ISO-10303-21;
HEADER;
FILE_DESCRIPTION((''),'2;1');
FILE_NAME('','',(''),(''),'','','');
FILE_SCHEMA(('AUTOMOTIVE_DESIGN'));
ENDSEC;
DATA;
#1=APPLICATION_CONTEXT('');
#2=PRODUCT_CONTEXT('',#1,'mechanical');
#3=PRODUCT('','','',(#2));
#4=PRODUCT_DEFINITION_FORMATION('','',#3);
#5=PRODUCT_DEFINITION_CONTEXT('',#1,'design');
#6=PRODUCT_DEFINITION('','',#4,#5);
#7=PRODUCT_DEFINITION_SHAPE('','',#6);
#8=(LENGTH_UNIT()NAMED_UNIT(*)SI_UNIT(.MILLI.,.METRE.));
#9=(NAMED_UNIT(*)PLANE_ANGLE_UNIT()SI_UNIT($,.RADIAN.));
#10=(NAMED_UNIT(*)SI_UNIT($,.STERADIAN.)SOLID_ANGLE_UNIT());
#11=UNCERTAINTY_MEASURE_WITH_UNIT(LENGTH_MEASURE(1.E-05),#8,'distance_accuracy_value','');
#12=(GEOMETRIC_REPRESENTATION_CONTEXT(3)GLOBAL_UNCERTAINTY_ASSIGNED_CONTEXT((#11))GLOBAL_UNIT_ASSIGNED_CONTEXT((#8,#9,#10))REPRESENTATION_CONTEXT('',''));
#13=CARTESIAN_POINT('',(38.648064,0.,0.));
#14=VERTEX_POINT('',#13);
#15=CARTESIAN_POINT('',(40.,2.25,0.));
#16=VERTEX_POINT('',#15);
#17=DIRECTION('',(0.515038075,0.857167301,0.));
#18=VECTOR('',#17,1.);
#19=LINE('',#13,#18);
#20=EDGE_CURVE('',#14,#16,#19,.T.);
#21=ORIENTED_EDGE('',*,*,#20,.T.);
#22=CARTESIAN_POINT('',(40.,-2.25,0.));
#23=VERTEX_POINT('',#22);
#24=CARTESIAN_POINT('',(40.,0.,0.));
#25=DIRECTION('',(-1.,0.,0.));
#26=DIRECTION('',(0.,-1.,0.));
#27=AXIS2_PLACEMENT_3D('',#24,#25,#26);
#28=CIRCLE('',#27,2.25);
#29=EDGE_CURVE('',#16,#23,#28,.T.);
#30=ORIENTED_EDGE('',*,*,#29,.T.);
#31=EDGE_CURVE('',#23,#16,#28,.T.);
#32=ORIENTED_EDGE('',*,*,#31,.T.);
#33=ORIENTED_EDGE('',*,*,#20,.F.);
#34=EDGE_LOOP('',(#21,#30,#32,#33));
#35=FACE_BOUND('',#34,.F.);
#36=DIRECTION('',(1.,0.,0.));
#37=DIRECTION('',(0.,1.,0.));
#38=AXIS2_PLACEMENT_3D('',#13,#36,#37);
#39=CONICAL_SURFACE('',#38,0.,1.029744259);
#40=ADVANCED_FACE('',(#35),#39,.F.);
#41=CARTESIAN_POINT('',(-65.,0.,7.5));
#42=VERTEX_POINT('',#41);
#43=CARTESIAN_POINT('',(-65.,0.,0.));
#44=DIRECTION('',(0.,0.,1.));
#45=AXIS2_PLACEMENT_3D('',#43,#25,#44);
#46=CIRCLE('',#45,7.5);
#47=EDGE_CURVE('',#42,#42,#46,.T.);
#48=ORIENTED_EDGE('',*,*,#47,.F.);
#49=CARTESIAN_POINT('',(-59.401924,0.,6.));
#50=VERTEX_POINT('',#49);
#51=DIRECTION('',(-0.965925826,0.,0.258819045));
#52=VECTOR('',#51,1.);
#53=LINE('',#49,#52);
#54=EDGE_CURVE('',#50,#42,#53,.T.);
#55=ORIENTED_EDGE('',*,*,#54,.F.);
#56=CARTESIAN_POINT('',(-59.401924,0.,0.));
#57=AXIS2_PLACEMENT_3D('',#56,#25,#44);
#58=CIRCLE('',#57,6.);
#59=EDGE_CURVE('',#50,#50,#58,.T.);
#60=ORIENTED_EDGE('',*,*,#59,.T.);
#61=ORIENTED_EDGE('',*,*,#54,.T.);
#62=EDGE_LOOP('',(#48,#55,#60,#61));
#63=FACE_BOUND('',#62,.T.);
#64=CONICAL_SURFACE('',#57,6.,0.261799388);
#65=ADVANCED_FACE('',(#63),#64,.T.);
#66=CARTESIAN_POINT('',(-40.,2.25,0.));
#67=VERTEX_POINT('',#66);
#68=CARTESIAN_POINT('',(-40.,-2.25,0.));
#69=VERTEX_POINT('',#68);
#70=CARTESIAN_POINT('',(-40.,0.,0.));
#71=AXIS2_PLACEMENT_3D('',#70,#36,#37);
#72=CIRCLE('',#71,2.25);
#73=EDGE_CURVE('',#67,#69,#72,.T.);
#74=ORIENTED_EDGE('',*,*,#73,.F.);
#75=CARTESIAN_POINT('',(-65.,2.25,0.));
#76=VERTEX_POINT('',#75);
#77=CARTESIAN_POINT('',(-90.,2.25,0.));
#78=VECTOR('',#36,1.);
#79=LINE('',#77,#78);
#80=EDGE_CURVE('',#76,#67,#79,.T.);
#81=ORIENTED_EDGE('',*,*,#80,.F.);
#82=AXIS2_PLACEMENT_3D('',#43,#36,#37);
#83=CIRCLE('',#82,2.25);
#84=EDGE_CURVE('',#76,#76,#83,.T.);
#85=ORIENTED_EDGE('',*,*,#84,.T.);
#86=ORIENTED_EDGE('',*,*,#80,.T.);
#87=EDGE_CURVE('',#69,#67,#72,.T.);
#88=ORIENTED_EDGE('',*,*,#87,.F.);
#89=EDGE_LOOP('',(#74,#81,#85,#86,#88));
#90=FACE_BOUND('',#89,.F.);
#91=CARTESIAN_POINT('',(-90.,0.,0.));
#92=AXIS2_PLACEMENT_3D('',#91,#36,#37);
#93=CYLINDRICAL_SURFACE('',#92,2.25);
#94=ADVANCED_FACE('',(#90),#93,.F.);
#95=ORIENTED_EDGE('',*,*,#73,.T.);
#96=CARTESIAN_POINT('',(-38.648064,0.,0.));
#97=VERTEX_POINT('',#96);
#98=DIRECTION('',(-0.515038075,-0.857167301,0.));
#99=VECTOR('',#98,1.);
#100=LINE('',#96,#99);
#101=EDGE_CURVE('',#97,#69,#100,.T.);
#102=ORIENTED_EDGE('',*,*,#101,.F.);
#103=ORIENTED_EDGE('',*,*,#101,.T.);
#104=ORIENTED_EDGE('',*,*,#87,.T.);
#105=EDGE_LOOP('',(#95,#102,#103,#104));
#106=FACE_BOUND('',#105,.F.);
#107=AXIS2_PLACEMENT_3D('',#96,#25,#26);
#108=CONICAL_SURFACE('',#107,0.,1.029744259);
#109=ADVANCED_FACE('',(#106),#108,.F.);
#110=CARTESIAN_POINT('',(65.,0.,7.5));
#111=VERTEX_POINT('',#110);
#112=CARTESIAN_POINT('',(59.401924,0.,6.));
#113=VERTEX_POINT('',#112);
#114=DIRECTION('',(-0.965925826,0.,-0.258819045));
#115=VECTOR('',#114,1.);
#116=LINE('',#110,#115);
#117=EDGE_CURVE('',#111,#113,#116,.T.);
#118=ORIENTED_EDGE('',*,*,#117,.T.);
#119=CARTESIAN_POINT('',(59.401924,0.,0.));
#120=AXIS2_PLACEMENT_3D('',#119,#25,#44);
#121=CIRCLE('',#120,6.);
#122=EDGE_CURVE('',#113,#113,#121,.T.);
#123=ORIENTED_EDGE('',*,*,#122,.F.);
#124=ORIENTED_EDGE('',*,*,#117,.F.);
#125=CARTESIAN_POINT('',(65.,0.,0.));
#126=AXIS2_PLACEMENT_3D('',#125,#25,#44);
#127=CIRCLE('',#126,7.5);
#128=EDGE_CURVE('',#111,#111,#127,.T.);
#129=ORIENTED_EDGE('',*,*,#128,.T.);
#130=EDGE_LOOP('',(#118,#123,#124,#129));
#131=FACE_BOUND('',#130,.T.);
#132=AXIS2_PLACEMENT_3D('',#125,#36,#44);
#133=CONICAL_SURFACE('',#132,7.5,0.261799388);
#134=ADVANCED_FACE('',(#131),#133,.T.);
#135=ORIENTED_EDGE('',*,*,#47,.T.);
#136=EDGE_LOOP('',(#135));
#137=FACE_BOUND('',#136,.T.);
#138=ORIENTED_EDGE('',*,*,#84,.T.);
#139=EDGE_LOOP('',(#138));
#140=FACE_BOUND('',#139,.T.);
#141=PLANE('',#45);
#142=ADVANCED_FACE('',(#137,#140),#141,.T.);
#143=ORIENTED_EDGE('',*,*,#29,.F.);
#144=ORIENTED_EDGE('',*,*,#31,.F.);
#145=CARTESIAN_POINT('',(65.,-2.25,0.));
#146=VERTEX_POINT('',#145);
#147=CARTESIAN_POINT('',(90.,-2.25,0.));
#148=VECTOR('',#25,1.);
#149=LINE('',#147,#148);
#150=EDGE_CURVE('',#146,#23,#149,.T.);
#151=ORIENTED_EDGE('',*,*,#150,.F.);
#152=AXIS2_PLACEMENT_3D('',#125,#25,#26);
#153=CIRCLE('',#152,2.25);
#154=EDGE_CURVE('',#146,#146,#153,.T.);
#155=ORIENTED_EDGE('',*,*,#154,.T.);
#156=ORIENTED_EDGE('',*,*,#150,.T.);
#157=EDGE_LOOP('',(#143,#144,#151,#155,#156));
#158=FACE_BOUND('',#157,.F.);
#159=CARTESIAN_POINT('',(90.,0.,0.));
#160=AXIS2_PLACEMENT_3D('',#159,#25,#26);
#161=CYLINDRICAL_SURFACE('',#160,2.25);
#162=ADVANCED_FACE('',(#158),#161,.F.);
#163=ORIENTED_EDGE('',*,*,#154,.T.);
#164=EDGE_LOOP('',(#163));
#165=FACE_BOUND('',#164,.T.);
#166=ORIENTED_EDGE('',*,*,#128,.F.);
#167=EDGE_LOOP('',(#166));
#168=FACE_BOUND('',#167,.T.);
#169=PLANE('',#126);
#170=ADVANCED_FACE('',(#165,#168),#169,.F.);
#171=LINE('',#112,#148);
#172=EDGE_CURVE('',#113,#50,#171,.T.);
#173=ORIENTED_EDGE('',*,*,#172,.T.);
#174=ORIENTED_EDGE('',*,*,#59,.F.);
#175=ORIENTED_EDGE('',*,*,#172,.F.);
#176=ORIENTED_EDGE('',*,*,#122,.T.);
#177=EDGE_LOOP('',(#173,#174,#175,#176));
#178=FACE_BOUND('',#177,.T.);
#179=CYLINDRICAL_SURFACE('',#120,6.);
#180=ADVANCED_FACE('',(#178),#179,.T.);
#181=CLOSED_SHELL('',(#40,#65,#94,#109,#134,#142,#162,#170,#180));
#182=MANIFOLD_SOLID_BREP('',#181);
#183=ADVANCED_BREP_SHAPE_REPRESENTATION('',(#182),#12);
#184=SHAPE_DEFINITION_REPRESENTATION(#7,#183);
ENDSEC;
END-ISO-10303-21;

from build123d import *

# Parameters (mm, degrees)
F4_D           = 4.5
F4_DEPTH       = 25
F4_TIP         = 1.3519363928
F4_ON_F3_D     = 4.5
F4_ON_F3_DEPTH = 25
F4_ON_F3_TIP   = 1.3519363928


with BuildPart() as f1:
    # F0 (on Front) → F1 (revolve)
    with BuildSketch(Plane.XZ):
        Polygon((-65, 7.5), (-65, 0), (65, 0), (65, 7.5), (59.4019237886, 6), (-59.4019237886, 6), align=None)
    revolve(axis=Axis((0, 0, 0), (-1, 0, 0)))

    # F4
    with Locations(Plane(origin=(-65, 0, 0), x_dir=(0, -1, 0), z_dir=(-1, 0, 0))):
        with Locations((0, 0)):
            Hole(F4_D / 2, depth=F4_DEPTH)
            with Locations((0, 0, -(F4_DEPTH + F4_TIP / 2))):  # 118° drill point
                Cone(0, F4_D / 2, F4_TIP, mode=Mode.SUBTRACT)

    # F4 on F3
    with Locations(Plane.YZ.offset(65)):
        with Locations((0, 0)):
            Hole(F4_ON_F3_D / 2, depth=F4_ON_F3_DEPTH)
            with Locations((0, 0, -(F4_ON_F3_DEPTH + F4_ON_F3_TIP / 2))):  # 118° drill point
                Cone(0, F4_ON_F3_D / 2, F4_ON_F3_TIP, mode=Mode.SUBTRACT)


solid = f1.part
